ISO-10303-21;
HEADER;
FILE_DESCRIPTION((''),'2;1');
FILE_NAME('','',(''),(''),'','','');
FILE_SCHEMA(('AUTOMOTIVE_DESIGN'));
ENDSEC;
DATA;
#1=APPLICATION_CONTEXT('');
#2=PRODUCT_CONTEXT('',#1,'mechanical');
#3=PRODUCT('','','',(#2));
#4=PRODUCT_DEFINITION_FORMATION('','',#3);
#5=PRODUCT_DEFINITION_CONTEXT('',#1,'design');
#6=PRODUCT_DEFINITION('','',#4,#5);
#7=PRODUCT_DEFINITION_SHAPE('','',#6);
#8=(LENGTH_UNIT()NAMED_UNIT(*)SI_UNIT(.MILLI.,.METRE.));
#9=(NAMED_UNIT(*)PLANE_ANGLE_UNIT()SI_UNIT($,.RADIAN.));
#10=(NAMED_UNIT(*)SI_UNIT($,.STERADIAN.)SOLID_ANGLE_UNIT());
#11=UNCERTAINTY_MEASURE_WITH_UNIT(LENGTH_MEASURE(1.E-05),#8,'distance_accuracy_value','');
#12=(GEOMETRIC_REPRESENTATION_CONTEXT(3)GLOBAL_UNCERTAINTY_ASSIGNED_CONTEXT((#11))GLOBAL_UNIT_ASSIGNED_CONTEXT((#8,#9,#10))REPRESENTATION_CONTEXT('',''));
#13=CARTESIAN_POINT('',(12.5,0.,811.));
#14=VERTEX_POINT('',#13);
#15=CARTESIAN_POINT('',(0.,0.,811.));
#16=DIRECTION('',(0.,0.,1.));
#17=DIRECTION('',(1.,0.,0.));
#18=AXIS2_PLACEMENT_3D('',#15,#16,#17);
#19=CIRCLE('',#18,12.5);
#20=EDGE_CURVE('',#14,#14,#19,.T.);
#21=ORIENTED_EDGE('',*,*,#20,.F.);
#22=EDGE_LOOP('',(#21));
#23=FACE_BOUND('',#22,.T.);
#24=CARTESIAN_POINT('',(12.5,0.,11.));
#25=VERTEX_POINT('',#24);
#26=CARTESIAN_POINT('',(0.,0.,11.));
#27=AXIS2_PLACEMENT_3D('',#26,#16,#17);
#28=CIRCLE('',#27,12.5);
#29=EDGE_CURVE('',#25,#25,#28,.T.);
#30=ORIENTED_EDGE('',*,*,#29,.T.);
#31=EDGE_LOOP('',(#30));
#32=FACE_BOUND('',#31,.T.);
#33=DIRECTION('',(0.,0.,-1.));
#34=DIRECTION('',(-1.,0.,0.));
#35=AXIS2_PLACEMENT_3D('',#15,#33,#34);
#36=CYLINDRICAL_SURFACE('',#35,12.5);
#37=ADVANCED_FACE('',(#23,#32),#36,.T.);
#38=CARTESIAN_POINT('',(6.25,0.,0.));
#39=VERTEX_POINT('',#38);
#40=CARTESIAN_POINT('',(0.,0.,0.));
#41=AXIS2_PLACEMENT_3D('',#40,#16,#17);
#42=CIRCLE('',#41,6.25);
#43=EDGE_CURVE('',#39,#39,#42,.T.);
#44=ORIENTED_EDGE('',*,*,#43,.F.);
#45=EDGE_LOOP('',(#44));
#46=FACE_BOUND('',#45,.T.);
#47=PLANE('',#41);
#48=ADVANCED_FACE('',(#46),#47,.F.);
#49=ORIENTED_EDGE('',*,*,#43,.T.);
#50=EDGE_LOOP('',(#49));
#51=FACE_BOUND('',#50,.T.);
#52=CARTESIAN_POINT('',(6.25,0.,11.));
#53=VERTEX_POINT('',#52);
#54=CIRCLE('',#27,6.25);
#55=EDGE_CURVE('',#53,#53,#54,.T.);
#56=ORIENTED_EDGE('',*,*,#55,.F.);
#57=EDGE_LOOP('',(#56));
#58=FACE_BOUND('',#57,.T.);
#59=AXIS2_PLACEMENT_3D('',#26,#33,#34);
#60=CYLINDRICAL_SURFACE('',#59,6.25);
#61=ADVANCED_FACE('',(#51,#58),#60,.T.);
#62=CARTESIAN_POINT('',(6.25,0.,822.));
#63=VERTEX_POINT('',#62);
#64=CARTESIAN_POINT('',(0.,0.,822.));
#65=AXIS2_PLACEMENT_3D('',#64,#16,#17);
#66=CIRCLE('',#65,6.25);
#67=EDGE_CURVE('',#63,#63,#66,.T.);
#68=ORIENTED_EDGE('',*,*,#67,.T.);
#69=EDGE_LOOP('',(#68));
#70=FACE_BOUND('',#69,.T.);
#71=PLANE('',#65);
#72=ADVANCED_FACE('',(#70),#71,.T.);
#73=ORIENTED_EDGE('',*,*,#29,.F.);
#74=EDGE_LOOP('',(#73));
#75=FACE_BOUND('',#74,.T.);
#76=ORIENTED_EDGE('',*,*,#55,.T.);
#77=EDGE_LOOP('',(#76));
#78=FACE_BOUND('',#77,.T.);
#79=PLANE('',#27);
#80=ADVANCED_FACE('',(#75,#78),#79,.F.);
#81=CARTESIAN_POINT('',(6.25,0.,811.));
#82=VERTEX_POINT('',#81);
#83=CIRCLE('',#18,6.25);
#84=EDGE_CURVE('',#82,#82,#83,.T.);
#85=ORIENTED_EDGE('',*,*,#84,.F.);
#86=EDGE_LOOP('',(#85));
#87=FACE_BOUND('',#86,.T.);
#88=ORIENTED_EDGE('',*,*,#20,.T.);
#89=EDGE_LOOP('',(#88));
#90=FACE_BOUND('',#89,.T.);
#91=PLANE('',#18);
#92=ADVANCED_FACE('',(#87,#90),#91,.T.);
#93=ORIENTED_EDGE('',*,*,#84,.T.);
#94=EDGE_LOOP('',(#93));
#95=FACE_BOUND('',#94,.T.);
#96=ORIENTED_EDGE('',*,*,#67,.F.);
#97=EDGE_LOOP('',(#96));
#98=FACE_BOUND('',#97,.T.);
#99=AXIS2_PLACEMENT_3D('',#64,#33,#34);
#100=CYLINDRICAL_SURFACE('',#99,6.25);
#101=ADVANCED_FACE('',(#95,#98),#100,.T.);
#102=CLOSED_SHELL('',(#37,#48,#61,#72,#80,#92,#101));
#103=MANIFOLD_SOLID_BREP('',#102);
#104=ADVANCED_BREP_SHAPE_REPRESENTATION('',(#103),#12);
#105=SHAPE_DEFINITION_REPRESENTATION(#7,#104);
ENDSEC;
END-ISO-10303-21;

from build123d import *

# Parameters (mm, degrees)
SKETCH1_R           = 6.25
BOSS_EXTRUDE1_DEPTH = 11
SKETCH2_R           = 12.5
BOSS_EXTRUDE2_DEPTH = 800
SKETCH3_R           = 6.25
BOSS_EXTRUDE3_DEPTH = 11


with BuildPart() as part:
    # Sketch1 → Boss-Extrude1 (new body)
    with BuildSketch(Plane.XY):
        Circle(SKETCH1_R)
    extrude(amount=BOSS_EXTRUDE1_DEPTH)

    # Sketch2 → Boss-Extrude2 (add)
    with BuildSketch(Plane.XY.offset(11)):
        Circle(SKETCH2_R)
    extrude(amount=BOSS_EXTRUDE2_DEPTH)

    # Sketch3 → Boss-Extrude3 (add)
    with BuildSketch(Plane.XY.offset(811)):
        Circle(SKETCH3_R)
    extrude(amount=BOSS_EXTRUDE3_DEPTH)


solid = part.part
